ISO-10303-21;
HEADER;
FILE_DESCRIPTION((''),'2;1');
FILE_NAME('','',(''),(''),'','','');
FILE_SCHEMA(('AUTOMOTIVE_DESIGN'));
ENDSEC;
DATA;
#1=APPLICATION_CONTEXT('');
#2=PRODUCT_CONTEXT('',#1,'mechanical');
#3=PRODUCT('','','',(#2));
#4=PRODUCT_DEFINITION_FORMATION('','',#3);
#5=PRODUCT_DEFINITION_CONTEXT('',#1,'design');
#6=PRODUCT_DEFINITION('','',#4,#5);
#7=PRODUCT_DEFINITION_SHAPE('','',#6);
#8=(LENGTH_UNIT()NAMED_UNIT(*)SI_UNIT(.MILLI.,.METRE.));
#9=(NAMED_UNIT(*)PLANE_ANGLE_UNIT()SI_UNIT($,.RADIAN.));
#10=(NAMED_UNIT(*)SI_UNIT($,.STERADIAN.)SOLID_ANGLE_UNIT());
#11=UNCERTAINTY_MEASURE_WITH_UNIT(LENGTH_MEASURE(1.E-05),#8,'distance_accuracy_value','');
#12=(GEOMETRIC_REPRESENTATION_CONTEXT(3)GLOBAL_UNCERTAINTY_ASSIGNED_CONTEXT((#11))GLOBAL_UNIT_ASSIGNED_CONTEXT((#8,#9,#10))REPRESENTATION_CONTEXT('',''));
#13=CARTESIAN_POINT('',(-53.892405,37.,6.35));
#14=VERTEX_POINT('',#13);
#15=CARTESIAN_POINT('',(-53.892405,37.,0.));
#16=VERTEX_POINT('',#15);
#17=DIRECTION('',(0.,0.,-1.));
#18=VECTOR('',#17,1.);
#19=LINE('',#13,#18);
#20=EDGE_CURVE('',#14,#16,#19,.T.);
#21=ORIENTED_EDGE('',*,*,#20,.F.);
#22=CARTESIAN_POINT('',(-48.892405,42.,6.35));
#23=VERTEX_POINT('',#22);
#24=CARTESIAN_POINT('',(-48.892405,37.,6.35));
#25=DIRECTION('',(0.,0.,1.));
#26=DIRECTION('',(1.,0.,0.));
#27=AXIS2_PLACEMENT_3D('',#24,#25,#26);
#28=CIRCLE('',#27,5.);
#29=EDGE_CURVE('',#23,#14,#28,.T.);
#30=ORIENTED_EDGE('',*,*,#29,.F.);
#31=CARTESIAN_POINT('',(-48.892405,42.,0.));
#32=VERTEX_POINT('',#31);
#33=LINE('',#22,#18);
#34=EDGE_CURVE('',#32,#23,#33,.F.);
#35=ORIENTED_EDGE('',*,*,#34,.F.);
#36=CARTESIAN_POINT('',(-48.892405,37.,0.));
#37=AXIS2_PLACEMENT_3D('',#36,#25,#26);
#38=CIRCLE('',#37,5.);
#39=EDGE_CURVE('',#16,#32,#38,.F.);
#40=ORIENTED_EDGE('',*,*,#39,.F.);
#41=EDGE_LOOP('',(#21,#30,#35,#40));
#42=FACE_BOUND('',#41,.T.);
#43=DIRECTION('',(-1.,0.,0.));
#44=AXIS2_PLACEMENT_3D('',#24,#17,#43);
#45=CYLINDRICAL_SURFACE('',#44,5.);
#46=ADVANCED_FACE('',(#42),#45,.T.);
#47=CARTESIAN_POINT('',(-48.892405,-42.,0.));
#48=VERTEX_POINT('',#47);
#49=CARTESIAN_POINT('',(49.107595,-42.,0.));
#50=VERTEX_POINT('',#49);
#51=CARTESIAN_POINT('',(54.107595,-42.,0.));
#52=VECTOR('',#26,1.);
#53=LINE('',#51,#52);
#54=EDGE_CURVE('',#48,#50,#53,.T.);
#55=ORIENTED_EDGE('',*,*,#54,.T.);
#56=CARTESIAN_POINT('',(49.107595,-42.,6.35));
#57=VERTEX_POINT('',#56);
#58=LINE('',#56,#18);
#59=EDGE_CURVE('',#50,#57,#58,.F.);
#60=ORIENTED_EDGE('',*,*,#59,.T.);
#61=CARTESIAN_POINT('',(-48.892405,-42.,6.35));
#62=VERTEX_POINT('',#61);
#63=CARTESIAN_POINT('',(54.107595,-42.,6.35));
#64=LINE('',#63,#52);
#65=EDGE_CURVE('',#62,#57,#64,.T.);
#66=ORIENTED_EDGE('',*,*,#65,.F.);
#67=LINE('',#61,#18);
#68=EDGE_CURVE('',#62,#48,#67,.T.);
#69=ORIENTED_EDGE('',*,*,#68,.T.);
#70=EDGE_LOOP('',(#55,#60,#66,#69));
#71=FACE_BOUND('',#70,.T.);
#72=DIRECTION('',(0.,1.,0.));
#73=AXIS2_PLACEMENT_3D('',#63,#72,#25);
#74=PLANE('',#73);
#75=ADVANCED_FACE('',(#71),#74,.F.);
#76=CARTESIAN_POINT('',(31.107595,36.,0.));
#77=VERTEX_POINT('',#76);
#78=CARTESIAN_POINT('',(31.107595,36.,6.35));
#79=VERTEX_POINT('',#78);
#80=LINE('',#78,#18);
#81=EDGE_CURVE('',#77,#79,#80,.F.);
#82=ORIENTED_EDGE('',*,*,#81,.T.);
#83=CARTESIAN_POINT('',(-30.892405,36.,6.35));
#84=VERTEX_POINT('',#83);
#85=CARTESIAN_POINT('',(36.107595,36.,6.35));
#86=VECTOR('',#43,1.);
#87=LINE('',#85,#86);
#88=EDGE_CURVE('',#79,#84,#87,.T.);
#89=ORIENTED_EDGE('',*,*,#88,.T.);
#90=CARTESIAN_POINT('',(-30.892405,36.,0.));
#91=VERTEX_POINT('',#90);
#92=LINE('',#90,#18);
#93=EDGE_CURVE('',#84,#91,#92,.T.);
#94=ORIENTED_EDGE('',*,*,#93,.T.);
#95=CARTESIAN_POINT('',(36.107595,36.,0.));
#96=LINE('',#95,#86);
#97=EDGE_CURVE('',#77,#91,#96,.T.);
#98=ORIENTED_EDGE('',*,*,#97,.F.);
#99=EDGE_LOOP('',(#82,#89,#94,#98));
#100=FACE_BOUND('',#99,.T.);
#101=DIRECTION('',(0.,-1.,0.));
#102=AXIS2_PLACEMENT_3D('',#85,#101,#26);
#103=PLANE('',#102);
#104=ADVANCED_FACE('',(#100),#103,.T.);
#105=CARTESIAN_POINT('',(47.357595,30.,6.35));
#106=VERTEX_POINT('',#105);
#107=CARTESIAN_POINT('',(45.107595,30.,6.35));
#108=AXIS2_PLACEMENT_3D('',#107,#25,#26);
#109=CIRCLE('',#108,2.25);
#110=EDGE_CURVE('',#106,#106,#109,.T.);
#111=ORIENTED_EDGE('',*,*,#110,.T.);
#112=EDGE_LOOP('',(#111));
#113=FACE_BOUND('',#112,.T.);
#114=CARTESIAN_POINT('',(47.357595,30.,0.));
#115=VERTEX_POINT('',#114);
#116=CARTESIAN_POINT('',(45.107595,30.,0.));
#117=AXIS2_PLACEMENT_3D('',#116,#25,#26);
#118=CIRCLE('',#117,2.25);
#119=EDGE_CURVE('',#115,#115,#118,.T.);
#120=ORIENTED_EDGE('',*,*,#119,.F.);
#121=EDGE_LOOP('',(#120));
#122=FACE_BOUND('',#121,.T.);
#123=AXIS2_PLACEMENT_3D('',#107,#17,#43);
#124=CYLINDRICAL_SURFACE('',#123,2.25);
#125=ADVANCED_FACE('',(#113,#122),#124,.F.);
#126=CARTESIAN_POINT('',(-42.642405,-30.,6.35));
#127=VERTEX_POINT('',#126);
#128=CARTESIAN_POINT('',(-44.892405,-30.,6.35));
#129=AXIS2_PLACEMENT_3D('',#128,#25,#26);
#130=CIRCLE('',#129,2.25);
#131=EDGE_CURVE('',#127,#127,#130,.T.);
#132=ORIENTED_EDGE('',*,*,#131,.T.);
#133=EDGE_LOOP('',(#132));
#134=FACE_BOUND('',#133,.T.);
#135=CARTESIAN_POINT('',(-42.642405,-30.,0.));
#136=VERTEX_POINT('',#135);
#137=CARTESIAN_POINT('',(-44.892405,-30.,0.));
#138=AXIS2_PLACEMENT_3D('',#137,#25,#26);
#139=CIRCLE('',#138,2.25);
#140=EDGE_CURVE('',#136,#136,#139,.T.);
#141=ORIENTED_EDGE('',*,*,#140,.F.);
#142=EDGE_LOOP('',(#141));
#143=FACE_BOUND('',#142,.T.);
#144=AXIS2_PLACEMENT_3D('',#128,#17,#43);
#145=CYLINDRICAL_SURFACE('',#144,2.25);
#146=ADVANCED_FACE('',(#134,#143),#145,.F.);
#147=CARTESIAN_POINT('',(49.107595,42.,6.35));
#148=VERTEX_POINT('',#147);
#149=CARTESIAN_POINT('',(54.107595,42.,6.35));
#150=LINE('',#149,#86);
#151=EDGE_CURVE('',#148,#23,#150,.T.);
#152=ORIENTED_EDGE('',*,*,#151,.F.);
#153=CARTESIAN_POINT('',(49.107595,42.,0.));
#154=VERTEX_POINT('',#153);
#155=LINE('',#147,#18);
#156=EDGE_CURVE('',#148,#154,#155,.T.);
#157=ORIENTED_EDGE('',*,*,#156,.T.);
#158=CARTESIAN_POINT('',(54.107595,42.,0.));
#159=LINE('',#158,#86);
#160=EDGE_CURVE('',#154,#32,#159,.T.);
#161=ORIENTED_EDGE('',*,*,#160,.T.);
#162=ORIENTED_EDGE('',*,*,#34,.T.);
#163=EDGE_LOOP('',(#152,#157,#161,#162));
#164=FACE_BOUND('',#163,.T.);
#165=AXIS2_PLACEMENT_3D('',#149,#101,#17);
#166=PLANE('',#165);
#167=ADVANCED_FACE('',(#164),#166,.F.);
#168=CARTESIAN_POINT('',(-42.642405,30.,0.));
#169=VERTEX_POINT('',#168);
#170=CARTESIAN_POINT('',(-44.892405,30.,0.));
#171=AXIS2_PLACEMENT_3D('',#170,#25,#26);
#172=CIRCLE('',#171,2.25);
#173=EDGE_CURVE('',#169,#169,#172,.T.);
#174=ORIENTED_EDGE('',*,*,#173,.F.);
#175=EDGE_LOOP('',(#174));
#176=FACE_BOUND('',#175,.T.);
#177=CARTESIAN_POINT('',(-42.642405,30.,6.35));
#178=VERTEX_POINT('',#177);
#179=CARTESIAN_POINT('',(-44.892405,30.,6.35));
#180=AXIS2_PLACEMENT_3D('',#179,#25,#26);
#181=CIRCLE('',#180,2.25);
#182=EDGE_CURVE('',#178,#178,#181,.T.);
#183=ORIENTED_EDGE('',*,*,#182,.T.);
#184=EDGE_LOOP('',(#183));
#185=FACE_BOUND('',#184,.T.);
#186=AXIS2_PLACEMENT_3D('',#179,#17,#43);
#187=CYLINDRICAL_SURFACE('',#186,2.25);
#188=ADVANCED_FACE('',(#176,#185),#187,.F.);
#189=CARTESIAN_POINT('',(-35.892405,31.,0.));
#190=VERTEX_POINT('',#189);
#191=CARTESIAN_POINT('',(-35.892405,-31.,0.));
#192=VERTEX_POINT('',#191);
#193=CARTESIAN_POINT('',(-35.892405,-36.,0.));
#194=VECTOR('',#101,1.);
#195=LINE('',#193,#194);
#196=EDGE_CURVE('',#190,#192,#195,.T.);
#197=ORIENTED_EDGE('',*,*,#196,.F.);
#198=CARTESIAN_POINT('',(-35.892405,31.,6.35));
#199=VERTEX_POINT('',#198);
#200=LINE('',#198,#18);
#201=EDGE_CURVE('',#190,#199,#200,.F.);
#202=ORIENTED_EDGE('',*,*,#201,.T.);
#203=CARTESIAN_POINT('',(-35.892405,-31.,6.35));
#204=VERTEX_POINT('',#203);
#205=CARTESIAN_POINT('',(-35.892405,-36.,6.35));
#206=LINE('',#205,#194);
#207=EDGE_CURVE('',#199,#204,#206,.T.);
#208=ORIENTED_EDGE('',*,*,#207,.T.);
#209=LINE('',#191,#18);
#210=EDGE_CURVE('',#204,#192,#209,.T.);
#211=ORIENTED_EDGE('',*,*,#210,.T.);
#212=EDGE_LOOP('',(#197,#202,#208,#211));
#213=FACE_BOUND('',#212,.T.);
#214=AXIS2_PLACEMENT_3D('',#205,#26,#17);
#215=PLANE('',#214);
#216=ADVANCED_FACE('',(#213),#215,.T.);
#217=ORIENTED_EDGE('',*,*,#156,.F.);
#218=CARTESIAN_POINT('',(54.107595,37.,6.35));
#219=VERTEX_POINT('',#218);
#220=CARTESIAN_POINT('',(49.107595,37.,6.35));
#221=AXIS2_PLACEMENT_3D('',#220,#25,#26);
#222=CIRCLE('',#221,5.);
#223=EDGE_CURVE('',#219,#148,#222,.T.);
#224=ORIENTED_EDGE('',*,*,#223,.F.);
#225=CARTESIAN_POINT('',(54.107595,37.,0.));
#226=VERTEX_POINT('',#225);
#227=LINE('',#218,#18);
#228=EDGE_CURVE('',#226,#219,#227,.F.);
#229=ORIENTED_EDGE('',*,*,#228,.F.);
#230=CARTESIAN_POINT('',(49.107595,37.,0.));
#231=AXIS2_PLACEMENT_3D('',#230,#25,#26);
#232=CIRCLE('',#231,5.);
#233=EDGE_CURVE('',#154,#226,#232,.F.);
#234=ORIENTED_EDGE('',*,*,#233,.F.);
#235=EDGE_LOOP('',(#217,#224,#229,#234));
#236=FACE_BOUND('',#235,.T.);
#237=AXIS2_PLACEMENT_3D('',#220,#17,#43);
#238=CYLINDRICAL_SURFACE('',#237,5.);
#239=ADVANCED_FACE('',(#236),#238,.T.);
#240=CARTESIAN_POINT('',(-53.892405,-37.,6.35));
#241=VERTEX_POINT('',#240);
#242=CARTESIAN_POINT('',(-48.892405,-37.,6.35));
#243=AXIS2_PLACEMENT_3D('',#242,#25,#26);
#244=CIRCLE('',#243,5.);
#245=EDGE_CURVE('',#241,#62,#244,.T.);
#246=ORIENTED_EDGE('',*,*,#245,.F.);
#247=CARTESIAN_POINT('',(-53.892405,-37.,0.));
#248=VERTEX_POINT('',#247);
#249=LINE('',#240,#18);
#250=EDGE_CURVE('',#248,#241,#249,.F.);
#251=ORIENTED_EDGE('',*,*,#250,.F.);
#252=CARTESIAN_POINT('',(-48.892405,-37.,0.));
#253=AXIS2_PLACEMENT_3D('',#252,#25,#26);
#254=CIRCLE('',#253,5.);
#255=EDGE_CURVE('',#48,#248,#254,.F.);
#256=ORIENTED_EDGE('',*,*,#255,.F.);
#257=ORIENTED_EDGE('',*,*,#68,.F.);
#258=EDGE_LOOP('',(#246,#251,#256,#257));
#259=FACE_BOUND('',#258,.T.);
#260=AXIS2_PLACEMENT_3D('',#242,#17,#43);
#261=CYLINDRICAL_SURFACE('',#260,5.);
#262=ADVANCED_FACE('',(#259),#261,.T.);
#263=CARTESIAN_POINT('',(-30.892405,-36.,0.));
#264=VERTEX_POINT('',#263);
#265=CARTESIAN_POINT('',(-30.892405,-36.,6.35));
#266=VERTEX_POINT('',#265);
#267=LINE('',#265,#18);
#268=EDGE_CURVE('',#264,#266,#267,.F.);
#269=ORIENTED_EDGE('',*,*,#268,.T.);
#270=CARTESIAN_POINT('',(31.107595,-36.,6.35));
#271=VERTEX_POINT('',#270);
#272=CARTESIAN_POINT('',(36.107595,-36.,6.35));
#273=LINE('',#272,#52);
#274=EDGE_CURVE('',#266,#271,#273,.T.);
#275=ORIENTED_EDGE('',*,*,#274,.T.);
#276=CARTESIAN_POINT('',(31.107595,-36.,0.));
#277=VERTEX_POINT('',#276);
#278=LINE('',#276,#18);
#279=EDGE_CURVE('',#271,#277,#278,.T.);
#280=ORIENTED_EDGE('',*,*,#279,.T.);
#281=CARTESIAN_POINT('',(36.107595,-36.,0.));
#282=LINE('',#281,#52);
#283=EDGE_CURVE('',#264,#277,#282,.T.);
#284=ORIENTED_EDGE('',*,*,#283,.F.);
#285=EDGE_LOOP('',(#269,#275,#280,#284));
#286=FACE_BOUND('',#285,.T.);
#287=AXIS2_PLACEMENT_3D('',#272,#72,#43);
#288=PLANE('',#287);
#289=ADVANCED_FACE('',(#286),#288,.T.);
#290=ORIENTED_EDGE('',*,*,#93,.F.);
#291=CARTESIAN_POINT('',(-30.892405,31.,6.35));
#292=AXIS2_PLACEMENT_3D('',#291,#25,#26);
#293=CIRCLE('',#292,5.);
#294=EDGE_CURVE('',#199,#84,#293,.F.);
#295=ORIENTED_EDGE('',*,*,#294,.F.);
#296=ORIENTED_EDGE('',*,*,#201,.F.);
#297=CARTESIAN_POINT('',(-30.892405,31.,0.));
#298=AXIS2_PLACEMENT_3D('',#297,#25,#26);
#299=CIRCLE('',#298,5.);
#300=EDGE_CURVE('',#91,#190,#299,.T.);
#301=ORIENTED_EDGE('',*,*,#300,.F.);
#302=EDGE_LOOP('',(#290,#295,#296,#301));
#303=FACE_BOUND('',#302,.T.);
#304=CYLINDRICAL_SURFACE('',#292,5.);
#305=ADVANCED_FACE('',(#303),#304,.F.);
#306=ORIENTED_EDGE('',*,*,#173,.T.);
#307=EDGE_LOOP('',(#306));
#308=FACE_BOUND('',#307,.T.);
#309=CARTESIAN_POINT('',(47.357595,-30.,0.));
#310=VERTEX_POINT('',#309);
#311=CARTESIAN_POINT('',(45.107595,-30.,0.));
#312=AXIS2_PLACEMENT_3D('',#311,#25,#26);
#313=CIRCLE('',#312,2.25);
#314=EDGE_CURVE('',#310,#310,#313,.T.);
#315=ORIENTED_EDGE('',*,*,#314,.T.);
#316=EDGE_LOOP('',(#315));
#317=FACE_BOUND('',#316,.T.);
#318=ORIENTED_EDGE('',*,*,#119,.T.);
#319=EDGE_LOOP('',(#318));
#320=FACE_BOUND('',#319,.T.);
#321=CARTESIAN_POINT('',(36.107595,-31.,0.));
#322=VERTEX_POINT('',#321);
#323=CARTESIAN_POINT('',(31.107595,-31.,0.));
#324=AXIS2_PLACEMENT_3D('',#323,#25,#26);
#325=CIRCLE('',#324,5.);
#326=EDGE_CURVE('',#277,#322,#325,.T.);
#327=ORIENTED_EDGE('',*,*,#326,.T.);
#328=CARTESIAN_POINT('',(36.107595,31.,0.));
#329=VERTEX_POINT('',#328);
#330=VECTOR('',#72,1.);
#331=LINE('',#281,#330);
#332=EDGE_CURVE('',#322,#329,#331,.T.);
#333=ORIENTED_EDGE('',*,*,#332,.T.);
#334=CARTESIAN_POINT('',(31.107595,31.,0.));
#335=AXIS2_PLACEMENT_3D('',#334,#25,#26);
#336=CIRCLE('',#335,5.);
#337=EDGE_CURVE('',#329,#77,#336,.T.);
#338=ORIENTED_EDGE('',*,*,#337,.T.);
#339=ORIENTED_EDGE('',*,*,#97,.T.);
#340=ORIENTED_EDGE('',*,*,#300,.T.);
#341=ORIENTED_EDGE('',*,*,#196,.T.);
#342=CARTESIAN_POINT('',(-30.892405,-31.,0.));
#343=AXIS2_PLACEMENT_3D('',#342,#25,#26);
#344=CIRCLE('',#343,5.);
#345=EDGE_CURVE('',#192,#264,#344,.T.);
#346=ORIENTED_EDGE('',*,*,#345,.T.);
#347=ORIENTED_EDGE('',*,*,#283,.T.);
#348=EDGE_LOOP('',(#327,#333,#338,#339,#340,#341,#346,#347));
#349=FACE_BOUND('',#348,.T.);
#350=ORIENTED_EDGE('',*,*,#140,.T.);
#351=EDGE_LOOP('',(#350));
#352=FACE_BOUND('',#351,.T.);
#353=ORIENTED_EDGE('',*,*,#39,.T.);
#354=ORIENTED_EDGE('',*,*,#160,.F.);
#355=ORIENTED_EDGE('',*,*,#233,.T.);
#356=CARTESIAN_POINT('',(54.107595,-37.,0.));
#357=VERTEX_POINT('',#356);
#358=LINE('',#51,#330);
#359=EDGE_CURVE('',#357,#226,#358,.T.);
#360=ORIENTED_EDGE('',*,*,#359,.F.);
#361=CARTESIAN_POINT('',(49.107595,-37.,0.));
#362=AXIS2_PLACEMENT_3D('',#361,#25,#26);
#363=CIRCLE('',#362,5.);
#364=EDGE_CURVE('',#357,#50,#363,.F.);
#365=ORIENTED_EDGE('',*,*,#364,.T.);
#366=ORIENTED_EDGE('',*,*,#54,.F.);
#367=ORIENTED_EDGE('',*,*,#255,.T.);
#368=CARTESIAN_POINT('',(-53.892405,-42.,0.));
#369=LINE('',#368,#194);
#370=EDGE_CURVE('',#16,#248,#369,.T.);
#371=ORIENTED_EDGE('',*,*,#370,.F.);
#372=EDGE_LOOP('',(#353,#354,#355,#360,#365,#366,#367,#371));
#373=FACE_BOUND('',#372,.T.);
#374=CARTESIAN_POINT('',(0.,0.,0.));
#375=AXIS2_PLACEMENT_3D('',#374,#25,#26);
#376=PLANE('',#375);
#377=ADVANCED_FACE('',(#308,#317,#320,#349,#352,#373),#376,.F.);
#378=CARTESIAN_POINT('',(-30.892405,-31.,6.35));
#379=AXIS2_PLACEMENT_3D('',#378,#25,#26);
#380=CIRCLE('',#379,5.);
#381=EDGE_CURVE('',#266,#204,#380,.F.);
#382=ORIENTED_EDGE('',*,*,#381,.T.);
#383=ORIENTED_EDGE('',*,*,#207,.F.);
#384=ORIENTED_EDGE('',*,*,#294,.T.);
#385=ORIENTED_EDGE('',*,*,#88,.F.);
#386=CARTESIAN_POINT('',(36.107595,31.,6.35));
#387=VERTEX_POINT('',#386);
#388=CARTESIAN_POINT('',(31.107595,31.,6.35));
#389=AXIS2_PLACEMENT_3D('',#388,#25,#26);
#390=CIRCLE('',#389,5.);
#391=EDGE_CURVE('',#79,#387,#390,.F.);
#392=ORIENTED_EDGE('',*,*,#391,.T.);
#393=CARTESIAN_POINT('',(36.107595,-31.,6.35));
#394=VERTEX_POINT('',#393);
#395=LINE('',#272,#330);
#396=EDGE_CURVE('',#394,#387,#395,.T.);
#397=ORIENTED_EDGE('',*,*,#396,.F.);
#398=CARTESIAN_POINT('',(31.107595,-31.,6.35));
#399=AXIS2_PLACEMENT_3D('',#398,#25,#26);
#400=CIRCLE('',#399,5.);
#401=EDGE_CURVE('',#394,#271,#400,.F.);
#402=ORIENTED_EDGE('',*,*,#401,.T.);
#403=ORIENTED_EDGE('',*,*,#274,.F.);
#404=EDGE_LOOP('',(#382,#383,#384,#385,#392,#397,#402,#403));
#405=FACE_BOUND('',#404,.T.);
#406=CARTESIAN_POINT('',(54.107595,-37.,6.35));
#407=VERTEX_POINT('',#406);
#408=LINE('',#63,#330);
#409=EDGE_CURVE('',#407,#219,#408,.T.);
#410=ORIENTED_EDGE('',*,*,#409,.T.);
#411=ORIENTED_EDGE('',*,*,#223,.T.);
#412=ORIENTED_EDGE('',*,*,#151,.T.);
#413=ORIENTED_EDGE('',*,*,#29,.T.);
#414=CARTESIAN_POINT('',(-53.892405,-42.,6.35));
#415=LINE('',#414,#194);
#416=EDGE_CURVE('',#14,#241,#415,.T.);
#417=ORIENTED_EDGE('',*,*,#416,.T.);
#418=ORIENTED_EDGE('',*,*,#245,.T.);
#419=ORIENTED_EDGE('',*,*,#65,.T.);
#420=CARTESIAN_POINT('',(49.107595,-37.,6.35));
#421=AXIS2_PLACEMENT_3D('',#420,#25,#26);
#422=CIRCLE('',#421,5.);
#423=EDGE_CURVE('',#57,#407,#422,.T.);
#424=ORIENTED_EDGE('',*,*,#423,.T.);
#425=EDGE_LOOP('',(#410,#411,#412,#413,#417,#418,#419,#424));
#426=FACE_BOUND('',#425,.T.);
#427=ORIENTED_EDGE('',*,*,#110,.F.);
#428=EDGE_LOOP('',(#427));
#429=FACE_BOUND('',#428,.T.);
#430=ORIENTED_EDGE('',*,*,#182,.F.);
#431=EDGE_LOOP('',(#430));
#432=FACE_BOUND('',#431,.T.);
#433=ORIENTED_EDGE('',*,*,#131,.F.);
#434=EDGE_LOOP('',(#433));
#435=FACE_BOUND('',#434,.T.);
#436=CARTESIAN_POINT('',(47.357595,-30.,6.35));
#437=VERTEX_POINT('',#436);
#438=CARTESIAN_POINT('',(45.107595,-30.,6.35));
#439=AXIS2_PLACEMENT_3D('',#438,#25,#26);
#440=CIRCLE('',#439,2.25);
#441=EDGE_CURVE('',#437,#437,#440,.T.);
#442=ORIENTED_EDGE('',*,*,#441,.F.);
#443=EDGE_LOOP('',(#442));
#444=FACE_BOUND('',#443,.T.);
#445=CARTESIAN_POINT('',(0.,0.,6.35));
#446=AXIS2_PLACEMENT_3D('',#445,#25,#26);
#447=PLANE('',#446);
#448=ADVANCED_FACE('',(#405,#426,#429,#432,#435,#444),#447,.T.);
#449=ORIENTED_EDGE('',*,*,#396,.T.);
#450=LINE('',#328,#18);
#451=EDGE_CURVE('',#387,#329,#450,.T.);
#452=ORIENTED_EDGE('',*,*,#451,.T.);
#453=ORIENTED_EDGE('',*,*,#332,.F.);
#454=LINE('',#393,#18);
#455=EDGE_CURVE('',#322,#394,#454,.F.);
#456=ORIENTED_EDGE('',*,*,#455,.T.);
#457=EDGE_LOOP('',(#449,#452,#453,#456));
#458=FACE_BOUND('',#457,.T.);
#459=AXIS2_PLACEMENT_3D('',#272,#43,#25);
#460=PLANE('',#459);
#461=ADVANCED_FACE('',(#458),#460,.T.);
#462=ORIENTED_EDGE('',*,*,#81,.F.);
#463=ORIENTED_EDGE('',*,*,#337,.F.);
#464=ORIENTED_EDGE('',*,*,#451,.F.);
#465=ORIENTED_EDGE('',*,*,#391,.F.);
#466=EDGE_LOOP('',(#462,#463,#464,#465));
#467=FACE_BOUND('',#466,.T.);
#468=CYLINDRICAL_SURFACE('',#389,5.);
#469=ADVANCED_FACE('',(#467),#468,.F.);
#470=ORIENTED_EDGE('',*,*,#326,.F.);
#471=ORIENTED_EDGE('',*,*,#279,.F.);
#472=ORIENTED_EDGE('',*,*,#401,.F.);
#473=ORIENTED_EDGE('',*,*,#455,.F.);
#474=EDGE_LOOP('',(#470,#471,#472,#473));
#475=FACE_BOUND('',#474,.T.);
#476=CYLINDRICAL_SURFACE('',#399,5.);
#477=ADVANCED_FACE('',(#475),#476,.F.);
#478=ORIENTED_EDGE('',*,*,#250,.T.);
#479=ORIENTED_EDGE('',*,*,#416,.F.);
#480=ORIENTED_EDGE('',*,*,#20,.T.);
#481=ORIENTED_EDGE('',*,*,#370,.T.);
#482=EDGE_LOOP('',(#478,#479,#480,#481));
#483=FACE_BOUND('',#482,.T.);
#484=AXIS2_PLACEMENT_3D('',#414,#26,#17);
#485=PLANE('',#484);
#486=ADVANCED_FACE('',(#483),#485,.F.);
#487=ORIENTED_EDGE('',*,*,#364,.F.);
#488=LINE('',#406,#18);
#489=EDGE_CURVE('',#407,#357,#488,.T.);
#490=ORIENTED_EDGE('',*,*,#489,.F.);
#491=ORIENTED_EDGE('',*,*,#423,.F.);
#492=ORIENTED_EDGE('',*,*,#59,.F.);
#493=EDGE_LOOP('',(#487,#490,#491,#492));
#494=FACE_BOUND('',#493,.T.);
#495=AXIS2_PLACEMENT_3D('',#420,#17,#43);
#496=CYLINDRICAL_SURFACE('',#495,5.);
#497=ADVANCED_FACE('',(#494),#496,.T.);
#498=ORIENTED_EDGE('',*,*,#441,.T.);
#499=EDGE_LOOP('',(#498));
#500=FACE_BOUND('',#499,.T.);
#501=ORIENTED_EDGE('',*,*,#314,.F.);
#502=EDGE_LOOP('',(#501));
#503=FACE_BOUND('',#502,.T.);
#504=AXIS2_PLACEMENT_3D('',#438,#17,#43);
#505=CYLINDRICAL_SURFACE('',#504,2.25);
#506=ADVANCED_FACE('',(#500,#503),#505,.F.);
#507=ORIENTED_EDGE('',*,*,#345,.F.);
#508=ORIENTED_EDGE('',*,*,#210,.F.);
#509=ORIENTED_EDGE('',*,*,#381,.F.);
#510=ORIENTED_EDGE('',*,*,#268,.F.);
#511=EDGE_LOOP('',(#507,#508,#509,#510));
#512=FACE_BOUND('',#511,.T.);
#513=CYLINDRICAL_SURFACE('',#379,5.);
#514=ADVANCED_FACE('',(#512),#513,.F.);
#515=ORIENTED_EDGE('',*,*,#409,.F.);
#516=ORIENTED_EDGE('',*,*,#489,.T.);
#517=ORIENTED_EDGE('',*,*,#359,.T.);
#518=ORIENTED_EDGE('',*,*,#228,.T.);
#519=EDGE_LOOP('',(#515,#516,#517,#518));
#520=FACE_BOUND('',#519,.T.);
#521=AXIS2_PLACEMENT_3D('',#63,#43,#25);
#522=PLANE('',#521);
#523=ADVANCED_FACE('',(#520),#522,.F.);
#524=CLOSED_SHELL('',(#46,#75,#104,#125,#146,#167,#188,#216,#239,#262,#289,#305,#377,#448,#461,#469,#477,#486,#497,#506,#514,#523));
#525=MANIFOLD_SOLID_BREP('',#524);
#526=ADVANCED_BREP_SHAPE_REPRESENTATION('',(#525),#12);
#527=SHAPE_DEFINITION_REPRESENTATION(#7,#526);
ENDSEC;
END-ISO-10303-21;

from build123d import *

# Parameters (mm, degrees)
SKETCH1_W           = 108
SKETCH1_H           = 84
SKETCH1_R           = 2.25
SKETCH1_W_2         = 72
SKETCH1_H_2         = 72
BOSS_EXTRUDE1_DEPTH = 6.35
FILLET1_R           = 5


with BuildPart() as part:
    # Sketch1 → Boss-Extrude1 (new body)
    with BuildSketch(Plane.XY):
        with Locations((0.107594743, 0)):
            Rectangle(SKETCH1_W, SKETCH1_H)
        with Locations((-44.892405257, 30)):
            Circle(SKETCH1_R, mode=Mode.SUBTRACT)
        with Locations((45.107594743, 30)):
            Circle(SKETCH1_R, mode=Mode.SUBTRACT)
        with Locations((45.107594743, -30)):
            Circle(SKETCH1_R, mode=Mode.SUBTRACT)
        with Locations((-44.892405257, -30)):
            Circle(SKETCH1_R, mode=Mode.SUBTRACT)
        with Locations((0.107594743, 0)):
            Rectangle(SKETCH1_W_2, SKETCH1_H_2, mode=Mode.SUBTRACT)
    extrude(amount=BOSS_EXTRUDE1_DEPTH)

    # Fillet1
    fillet1_edges = [part.edges().sort_by_distance(p)[0] for p in [
        (-35.892405257, 36, 3.175),
        (-35.892405257, -36, 3.175),
        (36.107594743, -36, 3.175),
        (36.107594743, 36, 3.175),
        (-53.892405257, 42, 3.175),
        (54.107594743, 42, 3.175),
        (54.107594743, -42, 3.175),
        (-53.892405257, -42, 3.175),
    ]]
    fillet(fillet1_edges, radius=FILLET1_R)


solid = part.part
